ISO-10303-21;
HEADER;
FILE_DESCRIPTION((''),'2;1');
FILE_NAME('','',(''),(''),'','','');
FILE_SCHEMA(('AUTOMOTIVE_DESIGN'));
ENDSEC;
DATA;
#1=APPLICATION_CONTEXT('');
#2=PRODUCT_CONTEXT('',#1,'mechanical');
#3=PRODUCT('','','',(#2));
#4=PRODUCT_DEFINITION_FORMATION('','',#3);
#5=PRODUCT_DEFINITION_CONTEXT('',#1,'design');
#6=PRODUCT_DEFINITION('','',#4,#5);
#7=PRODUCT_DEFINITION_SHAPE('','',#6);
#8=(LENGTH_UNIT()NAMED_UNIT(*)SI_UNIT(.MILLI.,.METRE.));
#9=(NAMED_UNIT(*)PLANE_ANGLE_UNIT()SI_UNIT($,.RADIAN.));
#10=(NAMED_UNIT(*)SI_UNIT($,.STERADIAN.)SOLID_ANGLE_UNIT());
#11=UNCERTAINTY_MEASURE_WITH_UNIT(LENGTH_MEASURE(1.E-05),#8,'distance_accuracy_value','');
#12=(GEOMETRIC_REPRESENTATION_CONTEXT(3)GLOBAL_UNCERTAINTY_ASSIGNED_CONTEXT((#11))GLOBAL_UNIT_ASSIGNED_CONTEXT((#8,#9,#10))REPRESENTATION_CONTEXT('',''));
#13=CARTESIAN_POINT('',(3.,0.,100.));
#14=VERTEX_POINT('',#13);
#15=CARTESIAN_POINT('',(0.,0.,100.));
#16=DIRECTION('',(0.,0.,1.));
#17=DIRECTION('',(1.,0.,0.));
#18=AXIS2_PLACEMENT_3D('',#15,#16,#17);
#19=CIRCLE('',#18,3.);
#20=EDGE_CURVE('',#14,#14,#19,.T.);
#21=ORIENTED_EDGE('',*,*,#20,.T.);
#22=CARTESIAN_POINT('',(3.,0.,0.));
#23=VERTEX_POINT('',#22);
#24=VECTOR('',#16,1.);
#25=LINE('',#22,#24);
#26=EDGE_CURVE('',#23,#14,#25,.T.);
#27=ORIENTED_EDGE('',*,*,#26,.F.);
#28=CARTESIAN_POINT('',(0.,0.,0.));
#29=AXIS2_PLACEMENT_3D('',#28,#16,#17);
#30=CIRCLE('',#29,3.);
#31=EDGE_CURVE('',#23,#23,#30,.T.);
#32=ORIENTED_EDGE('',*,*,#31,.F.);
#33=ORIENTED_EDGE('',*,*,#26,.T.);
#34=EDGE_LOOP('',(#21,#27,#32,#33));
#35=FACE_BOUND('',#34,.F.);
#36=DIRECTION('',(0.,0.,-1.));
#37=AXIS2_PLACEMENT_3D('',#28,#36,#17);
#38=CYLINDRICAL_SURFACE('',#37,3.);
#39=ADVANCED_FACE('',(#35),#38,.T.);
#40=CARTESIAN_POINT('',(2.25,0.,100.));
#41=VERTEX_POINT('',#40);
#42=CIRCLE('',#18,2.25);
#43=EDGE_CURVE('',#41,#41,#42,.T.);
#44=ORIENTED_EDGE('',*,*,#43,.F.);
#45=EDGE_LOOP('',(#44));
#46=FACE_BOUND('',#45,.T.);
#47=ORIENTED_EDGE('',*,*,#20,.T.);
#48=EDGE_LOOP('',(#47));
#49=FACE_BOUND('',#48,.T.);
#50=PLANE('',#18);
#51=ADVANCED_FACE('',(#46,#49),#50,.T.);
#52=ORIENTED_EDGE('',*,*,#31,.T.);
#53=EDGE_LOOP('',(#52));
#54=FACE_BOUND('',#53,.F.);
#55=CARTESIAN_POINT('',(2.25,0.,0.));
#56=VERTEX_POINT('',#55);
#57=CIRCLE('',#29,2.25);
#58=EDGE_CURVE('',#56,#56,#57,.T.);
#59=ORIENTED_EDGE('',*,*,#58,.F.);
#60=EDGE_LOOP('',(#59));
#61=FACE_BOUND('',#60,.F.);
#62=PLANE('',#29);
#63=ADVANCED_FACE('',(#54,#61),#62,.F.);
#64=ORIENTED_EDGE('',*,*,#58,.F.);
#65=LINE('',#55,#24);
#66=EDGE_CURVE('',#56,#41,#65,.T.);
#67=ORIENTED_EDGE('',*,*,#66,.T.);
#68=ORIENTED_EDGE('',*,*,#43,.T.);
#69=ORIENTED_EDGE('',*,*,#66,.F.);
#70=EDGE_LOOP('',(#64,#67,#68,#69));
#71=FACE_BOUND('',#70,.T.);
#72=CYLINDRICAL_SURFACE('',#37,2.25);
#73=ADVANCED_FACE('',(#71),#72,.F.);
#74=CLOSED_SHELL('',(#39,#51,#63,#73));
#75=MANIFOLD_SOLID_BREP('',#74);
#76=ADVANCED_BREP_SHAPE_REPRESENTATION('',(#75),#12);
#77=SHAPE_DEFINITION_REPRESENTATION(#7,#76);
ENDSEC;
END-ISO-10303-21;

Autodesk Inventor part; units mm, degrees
ref_plane "YZ Plane" through (0, 0, 0) normal (1, 0, 0) x (0, 1, 0)
ref_plane "XZ Plane" through (0, 0, 0) normal (0, 1, 0) x (-1, 0, 0)
ref_plane "XY Plane" through (0, 0, 0) normal (0, 0, 1) x (1, 0, 0)
sketch "Skizze1" plane through (0, 0, 0) normal (0, 0, 1) x (1, 0, 0)
  circle A0 centre (0, 0) radius 3
  circle A1 centre (0, 0) radius 2.25
  dimension "d0" = 6
  dimension "d1" = 4.5
extrude "Extrusion1" add sketch "Skizze1" along normal blind 100
properties part number "Swagelok"
